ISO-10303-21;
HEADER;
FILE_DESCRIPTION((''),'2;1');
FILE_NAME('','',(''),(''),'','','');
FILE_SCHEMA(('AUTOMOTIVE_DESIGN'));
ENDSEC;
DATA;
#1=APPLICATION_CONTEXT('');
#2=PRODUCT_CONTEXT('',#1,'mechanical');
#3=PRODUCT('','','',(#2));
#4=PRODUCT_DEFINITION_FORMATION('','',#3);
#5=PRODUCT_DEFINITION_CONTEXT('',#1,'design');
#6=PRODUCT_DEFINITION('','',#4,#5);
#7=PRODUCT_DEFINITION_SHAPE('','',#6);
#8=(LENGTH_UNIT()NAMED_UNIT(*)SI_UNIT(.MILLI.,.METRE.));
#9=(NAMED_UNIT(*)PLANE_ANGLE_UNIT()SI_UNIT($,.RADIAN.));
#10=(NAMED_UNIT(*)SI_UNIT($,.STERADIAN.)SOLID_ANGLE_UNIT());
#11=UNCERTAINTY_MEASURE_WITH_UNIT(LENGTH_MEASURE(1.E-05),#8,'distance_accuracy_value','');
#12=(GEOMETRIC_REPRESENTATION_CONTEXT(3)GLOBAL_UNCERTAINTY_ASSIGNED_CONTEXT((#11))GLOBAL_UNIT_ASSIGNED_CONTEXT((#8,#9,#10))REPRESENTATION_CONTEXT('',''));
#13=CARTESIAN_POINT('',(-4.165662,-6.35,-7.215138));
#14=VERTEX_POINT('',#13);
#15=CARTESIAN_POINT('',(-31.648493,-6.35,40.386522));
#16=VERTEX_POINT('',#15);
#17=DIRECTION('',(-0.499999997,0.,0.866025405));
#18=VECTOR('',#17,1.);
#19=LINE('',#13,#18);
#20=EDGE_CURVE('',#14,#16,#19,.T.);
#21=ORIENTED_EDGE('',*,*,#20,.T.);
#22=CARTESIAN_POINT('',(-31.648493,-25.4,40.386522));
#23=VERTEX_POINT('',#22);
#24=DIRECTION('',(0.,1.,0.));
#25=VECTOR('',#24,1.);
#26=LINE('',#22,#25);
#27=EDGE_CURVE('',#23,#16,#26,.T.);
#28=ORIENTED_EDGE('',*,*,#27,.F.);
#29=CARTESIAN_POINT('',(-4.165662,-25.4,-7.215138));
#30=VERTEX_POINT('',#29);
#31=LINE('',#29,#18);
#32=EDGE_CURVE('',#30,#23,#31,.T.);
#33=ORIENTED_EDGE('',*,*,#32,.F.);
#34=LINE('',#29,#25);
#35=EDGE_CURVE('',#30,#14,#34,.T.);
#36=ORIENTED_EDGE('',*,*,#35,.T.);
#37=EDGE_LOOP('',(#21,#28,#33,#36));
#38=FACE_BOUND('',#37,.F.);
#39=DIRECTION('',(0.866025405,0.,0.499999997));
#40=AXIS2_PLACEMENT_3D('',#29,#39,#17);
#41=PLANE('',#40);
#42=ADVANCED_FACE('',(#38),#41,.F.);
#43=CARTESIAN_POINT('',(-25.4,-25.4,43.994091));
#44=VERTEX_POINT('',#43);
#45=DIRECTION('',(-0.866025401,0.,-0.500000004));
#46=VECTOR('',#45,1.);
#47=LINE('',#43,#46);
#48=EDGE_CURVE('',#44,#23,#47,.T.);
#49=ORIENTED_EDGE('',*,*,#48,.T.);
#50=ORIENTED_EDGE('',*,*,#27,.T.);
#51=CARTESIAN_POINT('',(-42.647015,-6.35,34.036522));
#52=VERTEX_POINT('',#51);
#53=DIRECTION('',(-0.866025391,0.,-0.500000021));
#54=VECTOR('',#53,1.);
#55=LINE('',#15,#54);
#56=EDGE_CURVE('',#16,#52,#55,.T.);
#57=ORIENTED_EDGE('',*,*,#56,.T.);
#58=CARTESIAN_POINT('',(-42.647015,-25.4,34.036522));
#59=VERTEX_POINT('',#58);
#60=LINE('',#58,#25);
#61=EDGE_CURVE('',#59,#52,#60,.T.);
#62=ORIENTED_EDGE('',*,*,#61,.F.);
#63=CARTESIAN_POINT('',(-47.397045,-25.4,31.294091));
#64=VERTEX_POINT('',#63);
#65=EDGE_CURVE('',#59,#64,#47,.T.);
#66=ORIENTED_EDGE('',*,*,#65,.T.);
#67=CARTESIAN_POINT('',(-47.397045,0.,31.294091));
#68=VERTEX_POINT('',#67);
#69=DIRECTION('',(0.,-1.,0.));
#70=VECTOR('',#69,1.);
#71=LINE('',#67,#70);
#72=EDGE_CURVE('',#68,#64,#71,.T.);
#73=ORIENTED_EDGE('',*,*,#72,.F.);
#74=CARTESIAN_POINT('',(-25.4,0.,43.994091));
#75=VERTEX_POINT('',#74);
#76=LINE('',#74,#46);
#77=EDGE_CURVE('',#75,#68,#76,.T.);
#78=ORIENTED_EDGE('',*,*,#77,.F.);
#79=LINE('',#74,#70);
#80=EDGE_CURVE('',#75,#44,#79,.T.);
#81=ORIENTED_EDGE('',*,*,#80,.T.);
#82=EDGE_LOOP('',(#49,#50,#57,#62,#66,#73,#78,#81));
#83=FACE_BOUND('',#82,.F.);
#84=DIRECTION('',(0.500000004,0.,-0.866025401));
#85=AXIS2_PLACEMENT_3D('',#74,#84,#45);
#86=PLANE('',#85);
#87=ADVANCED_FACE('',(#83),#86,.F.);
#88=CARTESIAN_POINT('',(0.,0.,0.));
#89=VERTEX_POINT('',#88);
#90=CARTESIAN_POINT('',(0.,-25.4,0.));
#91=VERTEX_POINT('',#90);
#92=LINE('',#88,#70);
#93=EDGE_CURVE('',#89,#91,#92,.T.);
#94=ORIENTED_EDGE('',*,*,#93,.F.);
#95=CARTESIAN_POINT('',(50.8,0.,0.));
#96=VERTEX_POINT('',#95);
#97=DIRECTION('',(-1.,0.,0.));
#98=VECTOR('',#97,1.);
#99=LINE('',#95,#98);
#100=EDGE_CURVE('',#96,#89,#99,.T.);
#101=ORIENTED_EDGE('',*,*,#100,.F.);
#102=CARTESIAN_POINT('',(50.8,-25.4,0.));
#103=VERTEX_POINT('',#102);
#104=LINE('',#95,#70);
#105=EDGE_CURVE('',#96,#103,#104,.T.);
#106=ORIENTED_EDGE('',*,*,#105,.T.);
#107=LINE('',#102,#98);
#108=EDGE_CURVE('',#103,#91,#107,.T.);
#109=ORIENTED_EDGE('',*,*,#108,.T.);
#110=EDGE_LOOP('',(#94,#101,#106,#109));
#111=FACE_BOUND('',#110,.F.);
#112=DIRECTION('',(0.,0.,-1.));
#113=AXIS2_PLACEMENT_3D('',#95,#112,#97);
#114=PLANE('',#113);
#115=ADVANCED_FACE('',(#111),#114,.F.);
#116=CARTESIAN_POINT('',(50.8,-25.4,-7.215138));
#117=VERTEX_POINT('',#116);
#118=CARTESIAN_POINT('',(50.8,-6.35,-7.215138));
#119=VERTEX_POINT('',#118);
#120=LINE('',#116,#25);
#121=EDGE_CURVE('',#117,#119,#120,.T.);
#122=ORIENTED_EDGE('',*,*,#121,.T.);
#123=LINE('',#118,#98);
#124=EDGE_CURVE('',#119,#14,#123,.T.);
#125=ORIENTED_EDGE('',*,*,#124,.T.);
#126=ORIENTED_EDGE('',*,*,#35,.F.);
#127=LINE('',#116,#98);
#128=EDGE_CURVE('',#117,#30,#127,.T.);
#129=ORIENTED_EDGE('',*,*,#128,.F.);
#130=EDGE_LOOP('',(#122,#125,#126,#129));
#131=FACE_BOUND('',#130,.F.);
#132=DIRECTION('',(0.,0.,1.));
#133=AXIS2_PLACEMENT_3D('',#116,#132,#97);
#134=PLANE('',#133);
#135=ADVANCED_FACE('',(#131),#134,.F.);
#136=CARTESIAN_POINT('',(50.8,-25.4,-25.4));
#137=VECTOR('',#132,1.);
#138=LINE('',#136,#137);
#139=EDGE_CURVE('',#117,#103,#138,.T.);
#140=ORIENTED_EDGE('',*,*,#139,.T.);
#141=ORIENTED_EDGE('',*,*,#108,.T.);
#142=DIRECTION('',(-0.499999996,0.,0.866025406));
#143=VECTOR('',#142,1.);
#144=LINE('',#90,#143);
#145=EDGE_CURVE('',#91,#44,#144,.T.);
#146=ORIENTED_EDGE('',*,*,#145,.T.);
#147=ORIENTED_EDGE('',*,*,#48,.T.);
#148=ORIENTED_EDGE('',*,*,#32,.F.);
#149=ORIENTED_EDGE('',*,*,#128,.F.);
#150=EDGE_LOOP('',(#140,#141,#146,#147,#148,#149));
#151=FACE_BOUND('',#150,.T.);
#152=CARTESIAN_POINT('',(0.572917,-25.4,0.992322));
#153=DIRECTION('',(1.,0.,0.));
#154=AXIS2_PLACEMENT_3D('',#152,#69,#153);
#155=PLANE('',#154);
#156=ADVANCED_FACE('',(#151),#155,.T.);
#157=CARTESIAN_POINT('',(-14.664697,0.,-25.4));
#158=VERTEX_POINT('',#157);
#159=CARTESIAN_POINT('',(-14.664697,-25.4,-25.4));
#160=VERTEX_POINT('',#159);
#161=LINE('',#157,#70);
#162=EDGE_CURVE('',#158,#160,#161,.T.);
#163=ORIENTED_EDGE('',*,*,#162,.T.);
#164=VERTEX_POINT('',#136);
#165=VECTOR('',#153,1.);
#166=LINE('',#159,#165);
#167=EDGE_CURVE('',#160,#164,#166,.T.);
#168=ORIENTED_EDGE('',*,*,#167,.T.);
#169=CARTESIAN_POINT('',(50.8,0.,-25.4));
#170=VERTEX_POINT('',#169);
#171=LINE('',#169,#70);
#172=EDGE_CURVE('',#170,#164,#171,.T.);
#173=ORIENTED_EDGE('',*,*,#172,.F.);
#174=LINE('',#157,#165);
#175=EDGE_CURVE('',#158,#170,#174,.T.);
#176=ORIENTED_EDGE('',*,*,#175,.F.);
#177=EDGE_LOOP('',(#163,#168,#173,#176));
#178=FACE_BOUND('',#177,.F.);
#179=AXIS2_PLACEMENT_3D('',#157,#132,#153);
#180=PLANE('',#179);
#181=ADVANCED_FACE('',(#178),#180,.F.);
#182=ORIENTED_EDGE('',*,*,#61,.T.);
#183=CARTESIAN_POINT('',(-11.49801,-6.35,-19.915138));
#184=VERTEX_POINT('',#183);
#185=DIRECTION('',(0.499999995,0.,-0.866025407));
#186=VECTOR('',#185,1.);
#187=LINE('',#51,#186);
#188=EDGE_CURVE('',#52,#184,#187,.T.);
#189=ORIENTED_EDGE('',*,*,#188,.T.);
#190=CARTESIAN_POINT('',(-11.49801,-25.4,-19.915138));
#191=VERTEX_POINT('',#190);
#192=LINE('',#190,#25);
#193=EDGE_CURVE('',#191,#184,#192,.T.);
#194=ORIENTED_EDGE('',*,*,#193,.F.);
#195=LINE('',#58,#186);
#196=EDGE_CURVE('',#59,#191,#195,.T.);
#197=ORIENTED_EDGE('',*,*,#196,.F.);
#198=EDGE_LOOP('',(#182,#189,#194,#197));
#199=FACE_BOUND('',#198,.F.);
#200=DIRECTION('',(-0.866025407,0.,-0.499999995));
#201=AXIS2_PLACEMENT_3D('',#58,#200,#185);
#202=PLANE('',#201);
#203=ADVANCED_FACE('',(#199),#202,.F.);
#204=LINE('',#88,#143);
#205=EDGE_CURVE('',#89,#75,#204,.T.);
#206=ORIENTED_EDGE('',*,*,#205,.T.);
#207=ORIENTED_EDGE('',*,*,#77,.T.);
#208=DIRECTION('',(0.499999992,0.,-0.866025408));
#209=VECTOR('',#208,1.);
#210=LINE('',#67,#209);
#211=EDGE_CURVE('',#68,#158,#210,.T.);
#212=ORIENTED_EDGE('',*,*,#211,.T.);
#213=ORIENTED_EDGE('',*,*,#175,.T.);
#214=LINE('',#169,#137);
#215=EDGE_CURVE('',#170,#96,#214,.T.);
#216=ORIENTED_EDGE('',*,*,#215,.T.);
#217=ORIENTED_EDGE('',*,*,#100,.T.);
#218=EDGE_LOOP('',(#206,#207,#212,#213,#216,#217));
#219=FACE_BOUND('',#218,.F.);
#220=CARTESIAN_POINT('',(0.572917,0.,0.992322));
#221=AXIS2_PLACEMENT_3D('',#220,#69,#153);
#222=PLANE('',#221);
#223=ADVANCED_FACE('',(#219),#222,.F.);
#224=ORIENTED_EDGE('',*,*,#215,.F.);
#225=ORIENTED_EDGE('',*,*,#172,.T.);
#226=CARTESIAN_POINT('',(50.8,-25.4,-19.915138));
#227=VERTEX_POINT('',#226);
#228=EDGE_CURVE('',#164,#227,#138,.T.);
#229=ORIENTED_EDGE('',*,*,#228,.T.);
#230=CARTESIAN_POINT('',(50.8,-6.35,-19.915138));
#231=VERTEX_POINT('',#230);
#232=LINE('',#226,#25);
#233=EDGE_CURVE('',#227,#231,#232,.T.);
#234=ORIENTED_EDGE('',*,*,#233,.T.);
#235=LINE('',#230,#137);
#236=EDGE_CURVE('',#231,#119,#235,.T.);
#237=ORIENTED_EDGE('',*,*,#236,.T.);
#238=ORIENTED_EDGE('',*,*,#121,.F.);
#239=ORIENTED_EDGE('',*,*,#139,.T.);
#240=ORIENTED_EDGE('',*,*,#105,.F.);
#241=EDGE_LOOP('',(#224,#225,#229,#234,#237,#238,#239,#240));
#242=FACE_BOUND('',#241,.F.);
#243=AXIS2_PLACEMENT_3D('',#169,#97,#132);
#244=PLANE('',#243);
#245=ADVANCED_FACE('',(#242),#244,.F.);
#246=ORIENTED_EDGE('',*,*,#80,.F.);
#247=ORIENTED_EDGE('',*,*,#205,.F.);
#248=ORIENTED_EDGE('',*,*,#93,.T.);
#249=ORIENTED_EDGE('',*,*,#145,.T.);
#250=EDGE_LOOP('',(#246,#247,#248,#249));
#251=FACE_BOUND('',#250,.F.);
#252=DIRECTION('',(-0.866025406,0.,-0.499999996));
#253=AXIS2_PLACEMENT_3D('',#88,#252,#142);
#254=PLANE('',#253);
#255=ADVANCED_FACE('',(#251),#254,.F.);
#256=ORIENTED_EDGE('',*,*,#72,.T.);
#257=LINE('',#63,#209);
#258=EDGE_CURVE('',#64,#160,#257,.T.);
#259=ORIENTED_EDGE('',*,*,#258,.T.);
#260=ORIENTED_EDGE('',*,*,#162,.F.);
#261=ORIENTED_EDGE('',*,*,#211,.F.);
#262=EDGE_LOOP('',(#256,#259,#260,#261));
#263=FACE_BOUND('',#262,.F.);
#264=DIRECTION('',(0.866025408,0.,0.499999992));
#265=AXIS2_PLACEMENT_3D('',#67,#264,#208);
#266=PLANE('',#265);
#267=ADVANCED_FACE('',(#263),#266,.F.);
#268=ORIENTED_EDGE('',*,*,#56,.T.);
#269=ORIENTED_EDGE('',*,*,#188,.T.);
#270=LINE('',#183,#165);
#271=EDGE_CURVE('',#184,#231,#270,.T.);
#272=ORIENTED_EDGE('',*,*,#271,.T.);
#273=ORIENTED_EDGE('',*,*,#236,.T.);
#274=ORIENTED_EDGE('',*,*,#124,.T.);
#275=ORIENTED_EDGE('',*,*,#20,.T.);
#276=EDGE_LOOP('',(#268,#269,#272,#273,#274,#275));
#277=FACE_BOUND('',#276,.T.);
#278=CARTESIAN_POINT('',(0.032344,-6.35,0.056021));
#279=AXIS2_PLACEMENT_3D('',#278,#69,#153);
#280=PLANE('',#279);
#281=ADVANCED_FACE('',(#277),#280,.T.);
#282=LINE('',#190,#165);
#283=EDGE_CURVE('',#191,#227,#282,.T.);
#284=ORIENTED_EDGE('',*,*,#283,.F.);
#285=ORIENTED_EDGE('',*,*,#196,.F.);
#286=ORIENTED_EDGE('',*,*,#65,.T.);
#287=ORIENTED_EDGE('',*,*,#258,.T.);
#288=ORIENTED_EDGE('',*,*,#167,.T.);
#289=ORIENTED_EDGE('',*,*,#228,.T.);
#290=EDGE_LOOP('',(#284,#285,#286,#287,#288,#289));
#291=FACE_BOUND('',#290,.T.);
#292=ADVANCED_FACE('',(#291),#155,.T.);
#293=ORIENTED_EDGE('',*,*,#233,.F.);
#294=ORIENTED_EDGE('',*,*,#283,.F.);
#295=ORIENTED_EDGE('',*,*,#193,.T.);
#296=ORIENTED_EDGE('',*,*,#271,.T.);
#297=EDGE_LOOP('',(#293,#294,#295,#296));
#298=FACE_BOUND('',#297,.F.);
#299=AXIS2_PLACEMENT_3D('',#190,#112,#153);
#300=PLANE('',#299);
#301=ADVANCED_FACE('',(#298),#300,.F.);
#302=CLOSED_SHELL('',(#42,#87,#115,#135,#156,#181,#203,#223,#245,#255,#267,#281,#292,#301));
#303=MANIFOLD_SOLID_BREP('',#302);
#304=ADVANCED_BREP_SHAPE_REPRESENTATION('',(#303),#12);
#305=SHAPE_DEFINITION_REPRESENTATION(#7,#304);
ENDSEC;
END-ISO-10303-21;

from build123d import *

# Parameters (mm, degrees)
F1_DEPTH = 25.4
F3_DEPTH = 19.05


with BuildPart() as f1:
    # F0 (on Front) → F1 (new body)
    with BuildSketch(Plane.XZ):
        Polygon((-25.4, 43.994091), (-47.397045, 31.294091), (-14.664697, -25.4), (50.8, -25.4), (50.8, 0), (0, 0), align=None)
    extrude(amount=F1_DEPTH)

    # F2 (on face) → F3 (cut)
    with BuildSketch(Plane.XZ.offset(25.4)):
        Polygon((-31.648493, 40.386522), (-42.647015, 34.036522), (-11.49801, -19.915138), (50.8, -19.915138), (50.8, -7.215138), (-4.165662, -7.215138), align=None)
    extrude(amount=-F3_DEPTH, mode=Mode.SUBTRACT)


solid = f1.part
